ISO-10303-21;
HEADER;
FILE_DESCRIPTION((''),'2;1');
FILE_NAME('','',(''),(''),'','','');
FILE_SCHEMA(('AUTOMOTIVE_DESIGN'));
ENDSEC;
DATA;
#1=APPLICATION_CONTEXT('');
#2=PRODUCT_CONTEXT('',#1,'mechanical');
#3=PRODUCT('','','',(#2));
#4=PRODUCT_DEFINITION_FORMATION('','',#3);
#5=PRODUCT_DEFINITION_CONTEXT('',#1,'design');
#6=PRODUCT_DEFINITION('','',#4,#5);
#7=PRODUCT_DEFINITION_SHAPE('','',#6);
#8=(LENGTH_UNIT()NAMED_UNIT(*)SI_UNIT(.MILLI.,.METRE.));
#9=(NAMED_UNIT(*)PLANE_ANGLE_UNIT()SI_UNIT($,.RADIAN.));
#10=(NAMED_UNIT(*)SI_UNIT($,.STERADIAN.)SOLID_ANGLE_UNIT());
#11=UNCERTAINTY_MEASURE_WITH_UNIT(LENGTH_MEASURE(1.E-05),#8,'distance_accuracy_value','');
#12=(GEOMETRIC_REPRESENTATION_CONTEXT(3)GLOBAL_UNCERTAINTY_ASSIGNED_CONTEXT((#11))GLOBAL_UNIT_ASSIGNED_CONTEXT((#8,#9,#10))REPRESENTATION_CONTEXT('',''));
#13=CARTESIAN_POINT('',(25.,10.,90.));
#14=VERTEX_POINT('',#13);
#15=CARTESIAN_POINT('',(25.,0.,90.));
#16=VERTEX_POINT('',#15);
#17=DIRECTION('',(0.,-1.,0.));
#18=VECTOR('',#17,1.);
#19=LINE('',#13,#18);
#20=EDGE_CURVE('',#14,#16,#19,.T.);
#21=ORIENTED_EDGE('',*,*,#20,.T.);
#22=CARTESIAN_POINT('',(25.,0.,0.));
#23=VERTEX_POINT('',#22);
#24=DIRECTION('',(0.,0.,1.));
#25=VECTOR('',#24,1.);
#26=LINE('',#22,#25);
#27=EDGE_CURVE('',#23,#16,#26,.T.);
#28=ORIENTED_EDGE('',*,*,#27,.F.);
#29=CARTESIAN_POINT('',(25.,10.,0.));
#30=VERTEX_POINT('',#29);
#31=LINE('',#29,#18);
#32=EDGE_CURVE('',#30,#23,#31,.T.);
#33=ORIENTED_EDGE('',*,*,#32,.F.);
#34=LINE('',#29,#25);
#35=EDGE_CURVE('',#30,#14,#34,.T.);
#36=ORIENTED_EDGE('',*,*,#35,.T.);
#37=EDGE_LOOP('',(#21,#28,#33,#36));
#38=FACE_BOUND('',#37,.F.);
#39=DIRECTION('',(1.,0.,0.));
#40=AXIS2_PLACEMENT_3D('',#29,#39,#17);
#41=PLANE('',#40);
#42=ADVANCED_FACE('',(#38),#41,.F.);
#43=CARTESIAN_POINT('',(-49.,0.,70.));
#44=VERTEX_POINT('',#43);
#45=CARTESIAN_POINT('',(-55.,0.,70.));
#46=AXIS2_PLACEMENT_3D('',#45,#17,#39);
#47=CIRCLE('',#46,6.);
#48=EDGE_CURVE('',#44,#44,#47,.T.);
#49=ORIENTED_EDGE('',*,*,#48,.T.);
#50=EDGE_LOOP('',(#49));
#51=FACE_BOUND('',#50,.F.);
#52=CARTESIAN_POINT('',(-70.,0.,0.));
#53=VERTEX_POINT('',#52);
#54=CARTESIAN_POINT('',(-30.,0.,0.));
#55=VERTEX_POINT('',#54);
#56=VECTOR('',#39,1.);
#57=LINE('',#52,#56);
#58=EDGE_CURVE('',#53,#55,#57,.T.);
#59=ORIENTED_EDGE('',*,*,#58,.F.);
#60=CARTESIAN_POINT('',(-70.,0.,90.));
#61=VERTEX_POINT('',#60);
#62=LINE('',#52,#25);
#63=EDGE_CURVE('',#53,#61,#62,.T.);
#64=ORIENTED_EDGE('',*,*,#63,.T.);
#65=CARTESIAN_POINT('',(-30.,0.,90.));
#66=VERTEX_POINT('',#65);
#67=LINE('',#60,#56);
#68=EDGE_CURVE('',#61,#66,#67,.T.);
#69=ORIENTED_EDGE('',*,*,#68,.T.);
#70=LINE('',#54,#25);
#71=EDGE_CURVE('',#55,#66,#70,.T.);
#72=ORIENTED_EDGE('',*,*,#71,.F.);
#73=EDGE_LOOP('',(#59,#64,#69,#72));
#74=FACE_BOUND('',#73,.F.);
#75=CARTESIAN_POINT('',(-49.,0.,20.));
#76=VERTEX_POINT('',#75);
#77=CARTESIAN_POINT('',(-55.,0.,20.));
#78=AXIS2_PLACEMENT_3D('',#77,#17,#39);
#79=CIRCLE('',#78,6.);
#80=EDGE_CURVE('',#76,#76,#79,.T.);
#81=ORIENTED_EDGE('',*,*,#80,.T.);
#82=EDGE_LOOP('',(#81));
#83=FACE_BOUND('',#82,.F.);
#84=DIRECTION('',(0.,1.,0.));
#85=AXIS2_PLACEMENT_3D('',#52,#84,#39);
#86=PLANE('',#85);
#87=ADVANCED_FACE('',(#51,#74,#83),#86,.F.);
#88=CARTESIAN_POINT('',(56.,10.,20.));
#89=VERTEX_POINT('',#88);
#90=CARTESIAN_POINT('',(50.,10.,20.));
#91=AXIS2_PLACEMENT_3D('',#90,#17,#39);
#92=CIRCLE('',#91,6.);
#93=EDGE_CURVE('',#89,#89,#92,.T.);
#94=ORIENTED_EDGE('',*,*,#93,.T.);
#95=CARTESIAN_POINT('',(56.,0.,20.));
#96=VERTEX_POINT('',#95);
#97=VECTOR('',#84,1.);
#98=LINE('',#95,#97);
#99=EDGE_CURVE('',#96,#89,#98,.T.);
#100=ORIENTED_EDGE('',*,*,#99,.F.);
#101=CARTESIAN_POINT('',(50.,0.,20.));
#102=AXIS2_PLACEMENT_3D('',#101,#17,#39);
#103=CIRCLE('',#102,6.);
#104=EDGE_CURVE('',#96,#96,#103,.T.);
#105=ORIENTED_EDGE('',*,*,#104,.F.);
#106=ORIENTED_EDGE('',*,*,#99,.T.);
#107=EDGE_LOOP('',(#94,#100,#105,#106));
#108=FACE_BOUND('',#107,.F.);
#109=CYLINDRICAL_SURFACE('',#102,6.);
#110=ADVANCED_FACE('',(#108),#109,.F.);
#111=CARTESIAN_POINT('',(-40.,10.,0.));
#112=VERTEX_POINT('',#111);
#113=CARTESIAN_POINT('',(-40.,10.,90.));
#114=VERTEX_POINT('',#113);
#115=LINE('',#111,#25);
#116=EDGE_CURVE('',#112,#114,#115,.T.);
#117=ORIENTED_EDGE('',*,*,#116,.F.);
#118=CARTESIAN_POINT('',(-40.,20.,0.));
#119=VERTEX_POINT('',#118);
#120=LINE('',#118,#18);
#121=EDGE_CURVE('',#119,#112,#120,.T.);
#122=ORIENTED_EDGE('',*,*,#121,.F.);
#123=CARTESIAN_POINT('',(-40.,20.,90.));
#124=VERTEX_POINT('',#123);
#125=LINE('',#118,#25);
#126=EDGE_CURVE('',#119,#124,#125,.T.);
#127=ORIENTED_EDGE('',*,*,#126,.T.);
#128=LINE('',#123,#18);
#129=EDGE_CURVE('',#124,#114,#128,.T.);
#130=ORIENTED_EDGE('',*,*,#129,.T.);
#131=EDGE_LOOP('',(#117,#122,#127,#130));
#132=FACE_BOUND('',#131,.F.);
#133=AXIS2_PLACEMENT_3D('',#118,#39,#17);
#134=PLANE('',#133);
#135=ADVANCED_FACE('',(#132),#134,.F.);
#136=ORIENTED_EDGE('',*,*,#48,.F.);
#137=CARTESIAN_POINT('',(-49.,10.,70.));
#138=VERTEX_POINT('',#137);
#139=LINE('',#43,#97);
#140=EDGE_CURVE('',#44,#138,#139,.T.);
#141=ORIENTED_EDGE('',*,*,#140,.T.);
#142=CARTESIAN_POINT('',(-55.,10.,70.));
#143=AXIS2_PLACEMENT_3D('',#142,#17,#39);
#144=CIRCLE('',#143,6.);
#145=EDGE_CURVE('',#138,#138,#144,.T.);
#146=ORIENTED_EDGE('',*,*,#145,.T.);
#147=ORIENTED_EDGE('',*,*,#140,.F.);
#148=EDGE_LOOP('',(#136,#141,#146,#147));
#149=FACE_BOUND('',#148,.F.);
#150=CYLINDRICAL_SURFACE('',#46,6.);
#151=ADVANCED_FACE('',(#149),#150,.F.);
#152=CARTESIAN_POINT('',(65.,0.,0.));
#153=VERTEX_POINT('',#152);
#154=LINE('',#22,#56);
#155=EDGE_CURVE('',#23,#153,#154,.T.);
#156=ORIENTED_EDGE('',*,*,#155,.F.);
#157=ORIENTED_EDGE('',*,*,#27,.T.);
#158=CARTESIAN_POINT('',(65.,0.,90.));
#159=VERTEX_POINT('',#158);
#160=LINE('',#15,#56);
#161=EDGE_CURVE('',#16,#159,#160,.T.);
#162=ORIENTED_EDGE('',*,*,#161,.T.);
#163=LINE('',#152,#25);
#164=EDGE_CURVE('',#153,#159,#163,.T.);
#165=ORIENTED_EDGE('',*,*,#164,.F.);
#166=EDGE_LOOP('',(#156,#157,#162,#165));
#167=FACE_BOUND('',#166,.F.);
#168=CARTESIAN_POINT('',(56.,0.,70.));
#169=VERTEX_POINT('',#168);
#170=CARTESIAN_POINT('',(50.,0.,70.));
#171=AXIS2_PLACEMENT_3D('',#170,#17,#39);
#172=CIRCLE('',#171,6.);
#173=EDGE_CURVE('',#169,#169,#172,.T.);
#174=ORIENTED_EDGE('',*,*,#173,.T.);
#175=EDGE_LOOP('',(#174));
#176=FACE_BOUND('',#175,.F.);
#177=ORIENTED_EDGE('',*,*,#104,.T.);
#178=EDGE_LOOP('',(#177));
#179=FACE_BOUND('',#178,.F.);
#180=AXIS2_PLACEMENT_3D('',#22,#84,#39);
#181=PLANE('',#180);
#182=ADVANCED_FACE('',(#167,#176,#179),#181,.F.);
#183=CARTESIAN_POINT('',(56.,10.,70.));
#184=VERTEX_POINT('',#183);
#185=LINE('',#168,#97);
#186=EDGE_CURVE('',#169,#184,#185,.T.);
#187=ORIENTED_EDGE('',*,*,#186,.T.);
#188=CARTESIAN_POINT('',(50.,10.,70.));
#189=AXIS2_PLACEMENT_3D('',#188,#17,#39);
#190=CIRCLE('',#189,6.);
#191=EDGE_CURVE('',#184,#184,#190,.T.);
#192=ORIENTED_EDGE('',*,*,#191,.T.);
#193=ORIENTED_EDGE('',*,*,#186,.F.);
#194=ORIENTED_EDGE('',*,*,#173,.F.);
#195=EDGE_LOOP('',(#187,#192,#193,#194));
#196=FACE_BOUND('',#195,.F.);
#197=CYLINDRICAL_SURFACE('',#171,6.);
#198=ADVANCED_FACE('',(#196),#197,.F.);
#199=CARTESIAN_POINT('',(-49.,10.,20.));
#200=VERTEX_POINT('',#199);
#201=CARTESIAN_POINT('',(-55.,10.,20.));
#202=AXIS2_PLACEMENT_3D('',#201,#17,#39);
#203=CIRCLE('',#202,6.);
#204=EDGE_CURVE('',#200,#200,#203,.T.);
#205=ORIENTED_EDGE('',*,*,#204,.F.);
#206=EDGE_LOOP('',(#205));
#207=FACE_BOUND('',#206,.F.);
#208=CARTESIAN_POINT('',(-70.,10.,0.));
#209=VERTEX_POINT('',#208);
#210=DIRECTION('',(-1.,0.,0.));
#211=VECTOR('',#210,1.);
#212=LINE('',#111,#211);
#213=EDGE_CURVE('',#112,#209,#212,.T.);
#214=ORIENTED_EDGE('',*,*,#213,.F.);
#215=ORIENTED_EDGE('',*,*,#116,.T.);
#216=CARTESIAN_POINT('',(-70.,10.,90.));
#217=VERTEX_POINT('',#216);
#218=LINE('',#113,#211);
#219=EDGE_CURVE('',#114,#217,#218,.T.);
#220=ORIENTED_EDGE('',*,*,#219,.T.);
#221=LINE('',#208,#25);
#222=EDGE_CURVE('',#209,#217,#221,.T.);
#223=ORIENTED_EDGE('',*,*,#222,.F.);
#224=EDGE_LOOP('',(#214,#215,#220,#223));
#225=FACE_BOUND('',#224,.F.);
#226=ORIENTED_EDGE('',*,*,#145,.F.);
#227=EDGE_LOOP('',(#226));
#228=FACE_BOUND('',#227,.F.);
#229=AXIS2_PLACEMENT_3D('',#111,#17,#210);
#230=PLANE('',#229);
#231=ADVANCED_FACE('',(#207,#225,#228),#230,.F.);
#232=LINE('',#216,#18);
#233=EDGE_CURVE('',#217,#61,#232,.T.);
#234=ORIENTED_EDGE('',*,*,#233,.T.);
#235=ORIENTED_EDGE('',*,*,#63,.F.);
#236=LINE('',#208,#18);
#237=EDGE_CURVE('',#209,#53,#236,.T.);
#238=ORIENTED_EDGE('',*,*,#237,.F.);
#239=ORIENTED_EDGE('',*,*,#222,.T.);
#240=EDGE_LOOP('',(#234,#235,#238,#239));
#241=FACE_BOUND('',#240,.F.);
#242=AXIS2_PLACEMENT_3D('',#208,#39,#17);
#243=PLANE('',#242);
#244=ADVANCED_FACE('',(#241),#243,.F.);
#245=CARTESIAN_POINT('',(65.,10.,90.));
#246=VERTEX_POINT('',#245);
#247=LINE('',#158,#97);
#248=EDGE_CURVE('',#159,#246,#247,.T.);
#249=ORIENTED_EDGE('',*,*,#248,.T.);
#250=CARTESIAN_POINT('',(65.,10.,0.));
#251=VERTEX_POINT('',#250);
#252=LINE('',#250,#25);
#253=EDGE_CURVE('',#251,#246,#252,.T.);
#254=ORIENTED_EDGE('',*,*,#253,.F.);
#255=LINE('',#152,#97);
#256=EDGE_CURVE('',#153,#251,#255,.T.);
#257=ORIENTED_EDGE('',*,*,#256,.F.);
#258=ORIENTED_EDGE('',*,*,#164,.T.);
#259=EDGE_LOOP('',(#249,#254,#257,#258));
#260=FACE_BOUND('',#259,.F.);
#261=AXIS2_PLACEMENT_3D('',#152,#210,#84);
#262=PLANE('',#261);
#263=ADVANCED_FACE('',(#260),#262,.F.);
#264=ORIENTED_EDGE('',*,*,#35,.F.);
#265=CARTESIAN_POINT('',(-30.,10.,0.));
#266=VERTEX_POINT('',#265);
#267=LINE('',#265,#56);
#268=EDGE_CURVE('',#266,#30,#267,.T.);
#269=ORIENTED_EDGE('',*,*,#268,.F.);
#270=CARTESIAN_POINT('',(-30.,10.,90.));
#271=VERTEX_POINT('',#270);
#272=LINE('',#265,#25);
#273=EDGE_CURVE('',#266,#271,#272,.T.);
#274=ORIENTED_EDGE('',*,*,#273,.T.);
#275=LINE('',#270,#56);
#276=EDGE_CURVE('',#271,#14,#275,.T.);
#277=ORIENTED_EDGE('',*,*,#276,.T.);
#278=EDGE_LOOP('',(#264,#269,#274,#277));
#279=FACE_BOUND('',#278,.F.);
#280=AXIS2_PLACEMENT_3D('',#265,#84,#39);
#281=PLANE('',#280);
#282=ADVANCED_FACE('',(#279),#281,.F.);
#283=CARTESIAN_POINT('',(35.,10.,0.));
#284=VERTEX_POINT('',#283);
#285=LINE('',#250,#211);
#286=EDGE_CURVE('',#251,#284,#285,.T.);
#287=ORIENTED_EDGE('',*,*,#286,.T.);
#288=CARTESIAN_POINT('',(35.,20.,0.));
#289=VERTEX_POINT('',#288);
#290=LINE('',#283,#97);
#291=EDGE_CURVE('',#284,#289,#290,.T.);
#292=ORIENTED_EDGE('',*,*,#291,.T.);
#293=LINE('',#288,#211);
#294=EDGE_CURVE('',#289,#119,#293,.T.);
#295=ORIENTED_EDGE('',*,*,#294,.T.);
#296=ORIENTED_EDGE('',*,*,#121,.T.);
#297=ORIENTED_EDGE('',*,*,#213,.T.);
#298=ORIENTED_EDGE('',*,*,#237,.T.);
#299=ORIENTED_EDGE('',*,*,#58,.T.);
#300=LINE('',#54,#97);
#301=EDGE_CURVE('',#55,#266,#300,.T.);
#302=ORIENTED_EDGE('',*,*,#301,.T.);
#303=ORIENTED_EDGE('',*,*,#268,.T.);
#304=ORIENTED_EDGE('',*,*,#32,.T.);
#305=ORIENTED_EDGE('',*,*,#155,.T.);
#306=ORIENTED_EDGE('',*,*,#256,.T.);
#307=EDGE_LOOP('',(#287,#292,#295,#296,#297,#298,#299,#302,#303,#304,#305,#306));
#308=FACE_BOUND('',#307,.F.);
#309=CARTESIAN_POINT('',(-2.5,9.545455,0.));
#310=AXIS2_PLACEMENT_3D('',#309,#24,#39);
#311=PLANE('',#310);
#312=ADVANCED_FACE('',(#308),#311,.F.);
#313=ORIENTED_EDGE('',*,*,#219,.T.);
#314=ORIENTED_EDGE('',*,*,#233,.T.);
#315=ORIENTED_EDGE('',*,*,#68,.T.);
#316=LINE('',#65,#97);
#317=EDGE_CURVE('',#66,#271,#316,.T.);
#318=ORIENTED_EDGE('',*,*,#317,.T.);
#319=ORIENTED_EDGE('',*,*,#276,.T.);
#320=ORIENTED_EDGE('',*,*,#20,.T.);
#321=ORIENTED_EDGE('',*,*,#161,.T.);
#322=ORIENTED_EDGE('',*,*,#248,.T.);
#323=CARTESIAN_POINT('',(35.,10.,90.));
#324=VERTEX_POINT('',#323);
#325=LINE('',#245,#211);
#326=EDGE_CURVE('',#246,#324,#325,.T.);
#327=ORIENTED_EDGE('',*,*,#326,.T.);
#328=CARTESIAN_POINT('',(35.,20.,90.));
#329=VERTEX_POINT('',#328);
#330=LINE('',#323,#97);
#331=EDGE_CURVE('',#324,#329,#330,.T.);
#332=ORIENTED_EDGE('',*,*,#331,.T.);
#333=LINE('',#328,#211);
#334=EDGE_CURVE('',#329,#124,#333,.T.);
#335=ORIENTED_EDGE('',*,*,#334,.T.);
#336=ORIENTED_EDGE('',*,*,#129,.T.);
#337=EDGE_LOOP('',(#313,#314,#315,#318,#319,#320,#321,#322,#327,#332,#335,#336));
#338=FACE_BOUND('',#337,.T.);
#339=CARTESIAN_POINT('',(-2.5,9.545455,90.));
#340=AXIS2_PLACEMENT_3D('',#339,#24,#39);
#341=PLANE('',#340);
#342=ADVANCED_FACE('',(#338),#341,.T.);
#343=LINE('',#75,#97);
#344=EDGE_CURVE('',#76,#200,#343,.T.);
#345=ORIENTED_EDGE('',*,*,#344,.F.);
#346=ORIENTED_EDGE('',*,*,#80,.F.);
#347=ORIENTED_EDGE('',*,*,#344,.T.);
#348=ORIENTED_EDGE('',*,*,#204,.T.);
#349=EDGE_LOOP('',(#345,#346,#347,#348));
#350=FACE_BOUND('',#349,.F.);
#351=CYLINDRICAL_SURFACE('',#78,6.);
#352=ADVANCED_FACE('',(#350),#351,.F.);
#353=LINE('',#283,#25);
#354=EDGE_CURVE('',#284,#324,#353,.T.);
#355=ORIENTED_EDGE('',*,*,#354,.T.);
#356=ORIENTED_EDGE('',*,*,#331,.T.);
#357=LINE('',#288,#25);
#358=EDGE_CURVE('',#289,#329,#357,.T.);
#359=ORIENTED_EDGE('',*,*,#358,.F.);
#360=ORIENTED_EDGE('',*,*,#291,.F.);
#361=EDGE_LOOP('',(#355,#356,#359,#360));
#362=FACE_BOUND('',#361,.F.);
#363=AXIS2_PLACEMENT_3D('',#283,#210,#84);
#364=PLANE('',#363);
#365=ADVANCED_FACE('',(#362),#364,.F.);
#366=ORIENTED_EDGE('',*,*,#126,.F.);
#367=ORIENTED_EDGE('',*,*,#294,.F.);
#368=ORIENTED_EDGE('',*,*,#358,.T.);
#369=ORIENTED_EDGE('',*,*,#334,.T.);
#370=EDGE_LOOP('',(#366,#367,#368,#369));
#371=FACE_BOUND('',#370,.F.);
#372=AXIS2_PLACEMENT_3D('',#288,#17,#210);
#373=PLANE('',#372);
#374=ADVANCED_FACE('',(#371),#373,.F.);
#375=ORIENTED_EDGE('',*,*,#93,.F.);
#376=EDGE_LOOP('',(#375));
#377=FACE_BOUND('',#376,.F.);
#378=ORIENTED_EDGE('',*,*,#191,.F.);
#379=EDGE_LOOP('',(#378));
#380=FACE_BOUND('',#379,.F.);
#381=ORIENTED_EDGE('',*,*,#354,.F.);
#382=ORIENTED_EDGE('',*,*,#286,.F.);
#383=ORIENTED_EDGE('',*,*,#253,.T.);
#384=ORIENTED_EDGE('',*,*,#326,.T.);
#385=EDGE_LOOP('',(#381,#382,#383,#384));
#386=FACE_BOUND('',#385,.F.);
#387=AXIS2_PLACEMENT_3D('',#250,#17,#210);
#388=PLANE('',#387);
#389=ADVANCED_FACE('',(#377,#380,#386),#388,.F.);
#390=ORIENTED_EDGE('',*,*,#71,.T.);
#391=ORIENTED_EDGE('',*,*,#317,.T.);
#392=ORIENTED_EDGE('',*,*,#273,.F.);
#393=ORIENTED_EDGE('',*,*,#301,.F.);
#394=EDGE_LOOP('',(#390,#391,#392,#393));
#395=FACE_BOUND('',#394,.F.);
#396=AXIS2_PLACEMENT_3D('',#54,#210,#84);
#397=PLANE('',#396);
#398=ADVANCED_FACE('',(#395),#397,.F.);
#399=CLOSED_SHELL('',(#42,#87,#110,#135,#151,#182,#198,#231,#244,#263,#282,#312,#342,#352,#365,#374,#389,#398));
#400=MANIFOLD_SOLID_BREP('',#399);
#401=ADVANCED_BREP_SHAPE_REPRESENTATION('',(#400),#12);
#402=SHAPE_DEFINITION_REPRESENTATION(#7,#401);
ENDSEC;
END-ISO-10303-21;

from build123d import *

# Parameters (mm, degrees)
F1_DEPTH = 90
F2_R     = 6
F3_DEPTH = 20.001


with BuildPart() as f1:
    # F0 (on Top) → F1 (new body)
    with BuildSketch(Plane.XY):
        Polygon((-70, 10), (-70, 0), (-30, 0), (-30, 10), (25, 10), (25, 0), (65, 0), (65, 10), (35, 10), (35, 20), (-40, 20), (-40, 10), align=None)
    extrude(amount=F1_DEPTH)

    # F2 (on Front) → F3 (cut, through all)
    with BuildSketch(Plane.XZ):
        with Locations((-55, 20)):
            Circle(F2_R)
        with Locations((-55, 70)):
            Circle(F2_R)
        with Locations((50, 70)):
            Circle(F2_R)
        with Locations((50, 20)):
            Circle(F2_R)
    extrude(amount=-F3_DEPTH, mode=Mode.SUBTRACT)


solid = f1.part
